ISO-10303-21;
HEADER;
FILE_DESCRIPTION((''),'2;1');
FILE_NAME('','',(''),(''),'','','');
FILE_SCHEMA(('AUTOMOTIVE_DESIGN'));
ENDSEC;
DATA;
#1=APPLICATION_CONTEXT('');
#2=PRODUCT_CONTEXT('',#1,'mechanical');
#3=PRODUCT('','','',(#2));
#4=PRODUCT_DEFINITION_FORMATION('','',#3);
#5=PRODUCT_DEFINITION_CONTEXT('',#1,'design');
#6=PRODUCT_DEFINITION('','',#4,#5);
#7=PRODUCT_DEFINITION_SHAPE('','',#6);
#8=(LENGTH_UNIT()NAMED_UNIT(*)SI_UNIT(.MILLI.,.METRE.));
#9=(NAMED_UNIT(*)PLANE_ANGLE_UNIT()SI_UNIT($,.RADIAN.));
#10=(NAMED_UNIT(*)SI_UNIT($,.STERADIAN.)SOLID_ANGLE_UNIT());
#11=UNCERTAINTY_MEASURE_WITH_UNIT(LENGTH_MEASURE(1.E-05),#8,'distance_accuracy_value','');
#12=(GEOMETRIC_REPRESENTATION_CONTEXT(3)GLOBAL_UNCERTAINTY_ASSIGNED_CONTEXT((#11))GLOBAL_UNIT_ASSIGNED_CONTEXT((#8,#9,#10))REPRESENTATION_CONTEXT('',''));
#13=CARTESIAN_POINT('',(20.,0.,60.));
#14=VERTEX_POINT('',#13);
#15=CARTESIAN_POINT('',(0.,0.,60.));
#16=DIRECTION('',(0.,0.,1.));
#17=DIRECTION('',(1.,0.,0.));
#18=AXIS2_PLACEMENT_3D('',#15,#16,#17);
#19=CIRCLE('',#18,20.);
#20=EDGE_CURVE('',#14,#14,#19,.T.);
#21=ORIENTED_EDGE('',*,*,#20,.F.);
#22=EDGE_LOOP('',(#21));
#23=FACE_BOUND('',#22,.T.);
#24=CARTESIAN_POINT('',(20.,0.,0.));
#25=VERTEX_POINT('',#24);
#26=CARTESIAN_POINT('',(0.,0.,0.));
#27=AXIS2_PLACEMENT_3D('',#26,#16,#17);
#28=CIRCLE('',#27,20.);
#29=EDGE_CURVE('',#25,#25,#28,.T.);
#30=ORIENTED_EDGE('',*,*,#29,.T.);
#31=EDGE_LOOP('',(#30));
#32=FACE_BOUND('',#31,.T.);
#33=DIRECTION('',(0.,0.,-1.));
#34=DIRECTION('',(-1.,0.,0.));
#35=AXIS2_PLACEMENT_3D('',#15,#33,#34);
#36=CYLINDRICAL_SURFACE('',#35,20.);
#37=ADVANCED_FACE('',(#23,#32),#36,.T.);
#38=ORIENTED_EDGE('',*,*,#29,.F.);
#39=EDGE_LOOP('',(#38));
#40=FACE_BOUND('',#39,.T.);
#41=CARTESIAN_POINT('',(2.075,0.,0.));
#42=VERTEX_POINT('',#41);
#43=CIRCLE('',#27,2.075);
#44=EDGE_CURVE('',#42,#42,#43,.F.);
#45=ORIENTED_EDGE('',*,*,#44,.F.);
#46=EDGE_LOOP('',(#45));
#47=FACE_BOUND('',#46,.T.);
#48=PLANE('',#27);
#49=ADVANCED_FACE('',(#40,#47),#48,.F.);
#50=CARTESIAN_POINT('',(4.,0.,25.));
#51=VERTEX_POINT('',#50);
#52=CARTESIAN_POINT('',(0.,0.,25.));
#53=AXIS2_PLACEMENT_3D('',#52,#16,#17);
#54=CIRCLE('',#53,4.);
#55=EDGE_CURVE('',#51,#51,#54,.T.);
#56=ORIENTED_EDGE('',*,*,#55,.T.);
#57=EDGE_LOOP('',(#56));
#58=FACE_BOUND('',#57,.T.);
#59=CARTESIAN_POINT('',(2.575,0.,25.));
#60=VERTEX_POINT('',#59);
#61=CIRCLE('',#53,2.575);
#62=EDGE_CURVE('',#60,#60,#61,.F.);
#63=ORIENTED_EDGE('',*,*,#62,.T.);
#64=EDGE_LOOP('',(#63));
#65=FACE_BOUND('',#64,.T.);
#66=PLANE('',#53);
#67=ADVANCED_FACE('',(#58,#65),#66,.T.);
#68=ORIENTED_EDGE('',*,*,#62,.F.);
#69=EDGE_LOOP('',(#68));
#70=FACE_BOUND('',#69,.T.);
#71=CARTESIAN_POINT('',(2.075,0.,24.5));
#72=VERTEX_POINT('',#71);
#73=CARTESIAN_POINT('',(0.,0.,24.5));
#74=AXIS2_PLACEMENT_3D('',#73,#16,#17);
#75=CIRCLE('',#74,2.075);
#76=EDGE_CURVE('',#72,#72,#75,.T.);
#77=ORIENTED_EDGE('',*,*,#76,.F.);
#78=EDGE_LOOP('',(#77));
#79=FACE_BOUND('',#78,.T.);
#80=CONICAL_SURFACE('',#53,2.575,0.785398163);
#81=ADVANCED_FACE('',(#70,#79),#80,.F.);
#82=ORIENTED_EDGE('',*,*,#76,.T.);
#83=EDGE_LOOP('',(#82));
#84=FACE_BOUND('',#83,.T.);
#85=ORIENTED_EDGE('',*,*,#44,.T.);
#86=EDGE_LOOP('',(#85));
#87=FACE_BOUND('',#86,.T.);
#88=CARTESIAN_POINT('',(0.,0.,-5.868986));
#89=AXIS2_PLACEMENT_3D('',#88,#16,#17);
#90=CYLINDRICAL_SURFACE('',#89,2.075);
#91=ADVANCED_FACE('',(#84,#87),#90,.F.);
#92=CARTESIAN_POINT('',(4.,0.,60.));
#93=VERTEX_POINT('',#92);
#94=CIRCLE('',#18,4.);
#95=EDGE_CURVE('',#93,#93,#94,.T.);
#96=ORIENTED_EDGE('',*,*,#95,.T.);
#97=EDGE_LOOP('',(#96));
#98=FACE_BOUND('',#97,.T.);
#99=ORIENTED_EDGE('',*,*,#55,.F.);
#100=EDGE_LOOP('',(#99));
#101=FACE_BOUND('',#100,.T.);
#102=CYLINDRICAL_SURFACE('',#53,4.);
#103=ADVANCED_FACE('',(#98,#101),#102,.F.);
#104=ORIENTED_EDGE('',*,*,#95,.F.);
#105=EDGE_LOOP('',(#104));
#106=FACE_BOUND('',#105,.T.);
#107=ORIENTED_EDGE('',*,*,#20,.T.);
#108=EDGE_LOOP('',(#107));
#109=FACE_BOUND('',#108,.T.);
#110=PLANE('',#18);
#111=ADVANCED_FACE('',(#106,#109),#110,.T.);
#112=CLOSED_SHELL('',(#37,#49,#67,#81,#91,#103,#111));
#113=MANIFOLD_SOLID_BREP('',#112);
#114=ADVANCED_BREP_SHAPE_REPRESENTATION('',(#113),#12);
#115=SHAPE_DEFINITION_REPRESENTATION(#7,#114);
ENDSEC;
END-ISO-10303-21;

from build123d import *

# Parameters (mm, degrees)
SKICA1_R                 = 20
P_IDAT_VYSUNUT_M1_DEPTH  = 60
SKICA2_R                 = 2.075
ODEBRAT_VYSUNUT_M1_DEPTH = 60
SKICA3_R                 = 4
ODEBRAT_VYSUNUT_M2_DEPTH = 35
ZKOSEN_1_SIZE            = 0.5


with BuildPart() as part:
    # Skica1 → Přidat vysunutím1 (new body)
    with BuildSketch(Plane.XY):
        Circle(SKICA1_R)
    extrude(amount=P_IDAT_VYSUNUT_M1_DEPTH)

    # Skica2 → Odebrat vysunutím1 (cut)
    with BuildSketch(Plane.XY.offset(60)):
        Circle(SKICA2_R)
    extrude(amount=-ODEBRAT_VYSUNUT_M1_DEPTH, mode=Mode.SUBTRACT)

    # Skica3 → Odebrat vysunutím2 (cut)
    with BuildSketch(Plane.XY.offset(60)):
        Circle(SKICA3_R)
    extrude(amount=-ODEBRAT_VYSUNUT_M2_DEPTH, mode=Mode.SUBTRACT)

    # Zkosení1
    zkosen_1_edges = [part.edges().sort_by_distance(p)[0] for p in [
        (-2.075, 0, 25),
    ]]
    chamfer(zkosen_1_edges, length=ZKOSEN_1_SIZE)


solid = part.part
